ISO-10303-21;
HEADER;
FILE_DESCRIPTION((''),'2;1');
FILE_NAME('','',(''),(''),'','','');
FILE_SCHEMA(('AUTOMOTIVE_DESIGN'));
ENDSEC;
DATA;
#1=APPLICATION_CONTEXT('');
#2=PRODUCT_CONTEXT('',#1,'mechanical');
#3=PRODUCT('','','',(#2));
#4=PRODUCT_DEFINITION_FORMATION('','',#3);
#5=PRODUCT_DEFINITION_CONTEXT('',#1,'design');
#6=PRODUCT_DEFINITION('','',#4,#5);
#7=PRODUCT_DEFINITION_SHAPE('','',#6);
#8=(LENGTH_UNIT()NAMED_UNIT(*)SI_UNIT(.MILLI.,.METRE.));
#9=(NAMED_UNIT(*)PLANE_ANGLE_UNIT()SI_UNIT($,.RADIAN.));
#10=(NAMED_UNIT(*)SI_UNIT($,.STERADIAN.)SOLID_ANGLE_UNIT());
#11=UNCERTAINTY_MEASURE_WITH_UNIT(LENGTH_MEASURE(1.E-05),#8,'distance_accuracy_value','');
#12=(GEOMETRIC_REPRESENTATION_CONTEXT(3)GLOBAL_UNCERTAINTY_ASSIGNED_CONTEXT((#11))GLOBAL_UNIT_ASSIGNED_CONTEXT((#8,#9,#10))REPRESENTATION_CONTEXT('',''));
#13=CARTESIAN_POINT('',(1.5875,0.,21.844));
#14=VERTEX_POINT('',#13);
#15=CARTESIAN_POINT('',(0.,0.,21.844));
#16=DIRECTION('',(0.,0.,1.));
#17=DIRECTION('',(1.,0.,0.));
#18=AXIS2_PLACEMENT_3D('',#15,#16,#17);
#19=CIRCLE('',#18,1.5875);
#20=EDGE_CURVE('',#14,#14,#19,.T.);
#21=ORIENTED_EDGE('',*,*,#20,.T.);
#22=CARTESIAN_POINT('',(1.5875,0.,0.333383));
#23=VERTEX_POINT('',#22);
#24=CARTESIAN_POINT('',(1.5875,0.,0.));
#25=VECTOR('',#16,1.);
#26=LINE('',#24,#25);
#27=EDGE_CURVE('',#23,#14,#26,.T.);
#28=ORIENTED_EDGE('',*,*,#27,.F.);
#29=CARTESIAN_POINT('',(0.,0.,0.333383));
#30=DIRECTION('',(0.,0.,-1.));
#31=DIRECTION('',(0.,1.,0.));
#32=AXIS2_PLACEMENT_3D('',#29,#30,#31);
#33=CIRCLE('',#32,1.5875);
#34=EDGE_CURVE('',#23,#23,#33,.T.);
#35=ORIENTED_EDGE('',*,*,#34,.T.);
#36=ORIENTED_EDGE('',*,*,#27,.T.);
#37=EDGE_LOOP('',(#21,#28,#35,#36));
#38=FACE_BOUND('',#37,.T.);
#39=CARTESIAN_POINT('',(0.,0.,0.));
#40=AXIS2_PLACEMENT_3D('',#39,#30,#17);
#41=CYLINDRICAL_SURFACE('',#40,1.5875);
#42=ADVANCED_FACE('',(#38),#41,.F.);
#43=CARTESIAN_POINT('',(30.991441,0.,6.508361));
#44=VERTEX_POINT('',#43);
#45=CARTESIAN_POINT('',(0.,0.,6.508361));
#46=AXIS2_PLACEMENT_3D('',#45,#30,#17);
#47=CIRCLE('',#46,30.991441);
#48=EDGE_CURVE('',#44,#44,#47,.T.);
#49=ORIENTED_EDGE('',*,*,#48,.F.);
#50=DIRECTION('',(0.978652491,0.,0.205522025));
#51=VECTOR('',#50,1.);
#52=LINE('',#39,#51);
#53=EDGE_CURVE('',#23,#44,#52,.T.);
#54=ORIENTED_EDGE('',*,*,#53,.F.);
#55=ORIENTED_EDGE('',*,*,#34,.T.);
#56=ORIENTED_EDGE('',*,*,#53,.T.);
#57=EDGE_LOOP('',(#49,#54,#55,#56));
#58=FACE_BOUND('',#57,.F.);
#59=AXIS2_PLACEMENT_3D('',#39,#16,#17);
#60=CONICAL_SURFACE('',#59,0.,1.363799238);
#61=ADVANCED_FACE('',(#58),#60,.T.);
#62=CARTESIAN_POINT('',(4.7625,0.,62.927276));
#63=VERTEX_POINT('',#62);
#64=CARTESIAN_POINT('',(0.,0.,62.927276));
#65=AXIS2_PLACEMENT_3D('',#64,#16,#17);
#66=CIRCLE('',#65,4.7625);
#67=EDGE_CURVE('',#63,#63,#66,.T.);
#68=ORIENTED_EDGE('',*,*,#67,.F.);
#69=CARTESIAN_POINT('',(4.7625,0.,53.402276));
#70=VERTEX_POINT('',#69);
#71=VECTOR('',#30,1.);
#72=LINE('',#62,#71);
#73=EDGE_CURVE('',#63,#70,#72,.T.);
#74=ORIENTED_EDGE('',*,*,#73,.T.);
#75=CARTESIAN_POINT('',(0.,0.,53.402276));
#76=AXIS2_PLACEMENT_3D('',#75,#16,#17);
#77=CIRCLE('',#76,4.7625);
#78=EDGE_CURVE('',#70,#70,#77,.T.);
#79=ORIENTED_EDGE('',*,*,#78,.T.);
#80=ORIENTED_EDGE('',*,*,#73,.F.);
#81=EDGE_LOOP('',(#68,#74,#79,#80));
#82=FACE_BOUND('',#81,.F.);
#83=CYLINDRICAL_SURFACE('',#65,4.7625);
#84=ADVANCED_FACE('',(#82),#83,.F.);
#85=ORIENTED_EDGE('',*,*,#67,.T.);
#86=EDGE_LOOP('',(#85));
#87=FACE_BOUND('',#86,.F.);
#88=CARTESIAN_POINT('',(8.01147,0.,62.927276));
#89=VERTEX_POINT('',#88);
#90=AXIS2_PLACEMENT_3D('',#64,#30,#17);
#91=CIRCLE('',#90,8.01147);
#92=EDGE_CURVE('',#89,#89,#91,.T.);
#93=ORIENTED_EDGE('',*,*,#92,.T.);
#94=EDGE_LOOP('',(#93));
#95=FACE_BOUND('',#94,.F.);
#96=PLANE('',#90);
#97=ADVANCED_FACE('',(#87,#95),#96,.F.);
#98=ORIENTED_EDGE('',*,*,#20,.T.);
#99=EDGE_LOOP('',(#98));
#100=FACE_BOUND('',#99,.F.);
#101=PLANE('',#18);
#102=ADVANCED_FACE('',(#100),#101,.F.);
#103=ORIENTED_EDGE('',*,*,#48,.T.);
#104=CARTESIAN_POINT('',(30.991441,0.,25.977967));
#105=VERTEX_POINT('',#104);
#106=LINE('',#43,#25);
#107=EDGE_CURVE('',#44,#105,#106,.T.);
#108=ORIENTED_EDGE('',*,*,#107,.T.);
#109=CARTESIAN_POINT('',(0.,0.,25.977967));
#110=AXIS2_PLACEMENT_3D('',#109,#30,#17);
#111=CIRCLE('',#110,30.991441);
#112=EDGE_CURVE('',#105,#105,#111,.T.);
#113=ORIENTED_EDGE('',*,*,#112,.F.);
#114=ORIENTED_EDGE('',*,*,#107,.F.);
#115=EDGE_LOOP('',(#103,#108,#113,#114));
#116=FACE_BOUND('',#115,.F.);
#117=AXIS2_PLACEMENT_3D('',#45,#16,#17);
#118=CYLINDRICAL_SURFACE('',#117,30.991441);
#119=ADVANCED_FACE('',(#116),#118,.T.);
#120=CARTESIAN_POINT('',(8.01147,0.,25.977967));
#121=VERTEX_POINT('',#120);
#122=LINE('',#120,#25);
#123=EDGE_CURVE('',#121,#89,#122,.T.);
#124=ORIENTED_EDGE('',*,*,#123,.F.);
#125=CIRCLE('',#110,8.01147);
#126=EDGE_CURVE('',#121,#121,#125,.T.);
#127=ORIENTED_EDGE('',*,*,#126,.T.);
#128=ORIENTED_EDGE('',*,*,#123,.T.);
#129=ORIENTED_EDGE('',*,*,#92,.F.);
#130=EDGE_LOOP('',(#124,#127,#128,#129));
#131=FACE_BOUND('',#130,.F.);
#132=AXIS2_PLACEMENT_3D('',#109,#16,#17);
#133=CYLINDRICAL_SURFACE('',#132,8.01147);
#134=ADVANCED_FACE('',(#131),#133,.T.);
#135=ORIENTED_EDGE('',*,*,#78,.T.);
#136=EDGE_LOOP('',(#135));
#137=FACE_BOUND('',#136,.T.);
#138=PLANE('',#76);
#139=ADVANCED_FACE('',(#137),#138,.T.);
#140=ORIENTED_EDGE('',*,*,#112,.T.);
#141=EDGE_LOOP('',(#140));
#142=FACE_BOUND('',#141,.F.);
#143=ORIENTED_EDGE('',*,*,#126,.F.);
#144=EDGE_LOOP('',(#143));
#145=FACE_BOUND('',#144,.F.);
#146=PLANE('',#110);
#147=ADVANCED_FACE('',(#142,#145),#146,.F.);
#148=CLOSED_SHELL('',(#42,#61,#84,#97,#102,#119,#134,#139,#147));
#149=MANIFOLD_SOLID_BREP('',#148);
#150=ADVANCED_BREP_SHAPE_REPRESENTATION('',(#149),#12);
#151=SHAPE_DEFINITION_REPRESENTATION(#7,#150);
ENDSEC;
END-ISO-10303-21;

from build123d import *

# Parameters (mm, degrees)
F2_R     = 4.7625
F3_DEPTH = 9.525
F4_R     = 1.5875
F5_DEPTH = 21.844


with BuildPart() as f1:
    # F0 (on Front) → F1 (revolve)
    with BuildSketch(Plane.XZ):
        Polygon((0, 62.927276), (0, 0), (30.991441, 6.508361), (30.991441, 25.977967), (8.01147, 25.977967), (8.01147, 62.927276), align=None)
    revolve(axis=Axis((0, 0, 31.463638), (0, 0, -1)))

    # F2 (on face) → F3 (cut)
    with BuildSketch(Plane.XY.offset(62.927276)):
        Circle(F2_R)
    extrude(amount=-F3_DEPTH, mode=Mode.SUBTRACT)

    # F4 (on Top) → F5 (cut)
    with BuildSketch(Plane.XY):
        Circle(F4_R)
    extrude(amount=F5_DEPTH, mode=Mode.SUBTRACT)


solid = f1.part
